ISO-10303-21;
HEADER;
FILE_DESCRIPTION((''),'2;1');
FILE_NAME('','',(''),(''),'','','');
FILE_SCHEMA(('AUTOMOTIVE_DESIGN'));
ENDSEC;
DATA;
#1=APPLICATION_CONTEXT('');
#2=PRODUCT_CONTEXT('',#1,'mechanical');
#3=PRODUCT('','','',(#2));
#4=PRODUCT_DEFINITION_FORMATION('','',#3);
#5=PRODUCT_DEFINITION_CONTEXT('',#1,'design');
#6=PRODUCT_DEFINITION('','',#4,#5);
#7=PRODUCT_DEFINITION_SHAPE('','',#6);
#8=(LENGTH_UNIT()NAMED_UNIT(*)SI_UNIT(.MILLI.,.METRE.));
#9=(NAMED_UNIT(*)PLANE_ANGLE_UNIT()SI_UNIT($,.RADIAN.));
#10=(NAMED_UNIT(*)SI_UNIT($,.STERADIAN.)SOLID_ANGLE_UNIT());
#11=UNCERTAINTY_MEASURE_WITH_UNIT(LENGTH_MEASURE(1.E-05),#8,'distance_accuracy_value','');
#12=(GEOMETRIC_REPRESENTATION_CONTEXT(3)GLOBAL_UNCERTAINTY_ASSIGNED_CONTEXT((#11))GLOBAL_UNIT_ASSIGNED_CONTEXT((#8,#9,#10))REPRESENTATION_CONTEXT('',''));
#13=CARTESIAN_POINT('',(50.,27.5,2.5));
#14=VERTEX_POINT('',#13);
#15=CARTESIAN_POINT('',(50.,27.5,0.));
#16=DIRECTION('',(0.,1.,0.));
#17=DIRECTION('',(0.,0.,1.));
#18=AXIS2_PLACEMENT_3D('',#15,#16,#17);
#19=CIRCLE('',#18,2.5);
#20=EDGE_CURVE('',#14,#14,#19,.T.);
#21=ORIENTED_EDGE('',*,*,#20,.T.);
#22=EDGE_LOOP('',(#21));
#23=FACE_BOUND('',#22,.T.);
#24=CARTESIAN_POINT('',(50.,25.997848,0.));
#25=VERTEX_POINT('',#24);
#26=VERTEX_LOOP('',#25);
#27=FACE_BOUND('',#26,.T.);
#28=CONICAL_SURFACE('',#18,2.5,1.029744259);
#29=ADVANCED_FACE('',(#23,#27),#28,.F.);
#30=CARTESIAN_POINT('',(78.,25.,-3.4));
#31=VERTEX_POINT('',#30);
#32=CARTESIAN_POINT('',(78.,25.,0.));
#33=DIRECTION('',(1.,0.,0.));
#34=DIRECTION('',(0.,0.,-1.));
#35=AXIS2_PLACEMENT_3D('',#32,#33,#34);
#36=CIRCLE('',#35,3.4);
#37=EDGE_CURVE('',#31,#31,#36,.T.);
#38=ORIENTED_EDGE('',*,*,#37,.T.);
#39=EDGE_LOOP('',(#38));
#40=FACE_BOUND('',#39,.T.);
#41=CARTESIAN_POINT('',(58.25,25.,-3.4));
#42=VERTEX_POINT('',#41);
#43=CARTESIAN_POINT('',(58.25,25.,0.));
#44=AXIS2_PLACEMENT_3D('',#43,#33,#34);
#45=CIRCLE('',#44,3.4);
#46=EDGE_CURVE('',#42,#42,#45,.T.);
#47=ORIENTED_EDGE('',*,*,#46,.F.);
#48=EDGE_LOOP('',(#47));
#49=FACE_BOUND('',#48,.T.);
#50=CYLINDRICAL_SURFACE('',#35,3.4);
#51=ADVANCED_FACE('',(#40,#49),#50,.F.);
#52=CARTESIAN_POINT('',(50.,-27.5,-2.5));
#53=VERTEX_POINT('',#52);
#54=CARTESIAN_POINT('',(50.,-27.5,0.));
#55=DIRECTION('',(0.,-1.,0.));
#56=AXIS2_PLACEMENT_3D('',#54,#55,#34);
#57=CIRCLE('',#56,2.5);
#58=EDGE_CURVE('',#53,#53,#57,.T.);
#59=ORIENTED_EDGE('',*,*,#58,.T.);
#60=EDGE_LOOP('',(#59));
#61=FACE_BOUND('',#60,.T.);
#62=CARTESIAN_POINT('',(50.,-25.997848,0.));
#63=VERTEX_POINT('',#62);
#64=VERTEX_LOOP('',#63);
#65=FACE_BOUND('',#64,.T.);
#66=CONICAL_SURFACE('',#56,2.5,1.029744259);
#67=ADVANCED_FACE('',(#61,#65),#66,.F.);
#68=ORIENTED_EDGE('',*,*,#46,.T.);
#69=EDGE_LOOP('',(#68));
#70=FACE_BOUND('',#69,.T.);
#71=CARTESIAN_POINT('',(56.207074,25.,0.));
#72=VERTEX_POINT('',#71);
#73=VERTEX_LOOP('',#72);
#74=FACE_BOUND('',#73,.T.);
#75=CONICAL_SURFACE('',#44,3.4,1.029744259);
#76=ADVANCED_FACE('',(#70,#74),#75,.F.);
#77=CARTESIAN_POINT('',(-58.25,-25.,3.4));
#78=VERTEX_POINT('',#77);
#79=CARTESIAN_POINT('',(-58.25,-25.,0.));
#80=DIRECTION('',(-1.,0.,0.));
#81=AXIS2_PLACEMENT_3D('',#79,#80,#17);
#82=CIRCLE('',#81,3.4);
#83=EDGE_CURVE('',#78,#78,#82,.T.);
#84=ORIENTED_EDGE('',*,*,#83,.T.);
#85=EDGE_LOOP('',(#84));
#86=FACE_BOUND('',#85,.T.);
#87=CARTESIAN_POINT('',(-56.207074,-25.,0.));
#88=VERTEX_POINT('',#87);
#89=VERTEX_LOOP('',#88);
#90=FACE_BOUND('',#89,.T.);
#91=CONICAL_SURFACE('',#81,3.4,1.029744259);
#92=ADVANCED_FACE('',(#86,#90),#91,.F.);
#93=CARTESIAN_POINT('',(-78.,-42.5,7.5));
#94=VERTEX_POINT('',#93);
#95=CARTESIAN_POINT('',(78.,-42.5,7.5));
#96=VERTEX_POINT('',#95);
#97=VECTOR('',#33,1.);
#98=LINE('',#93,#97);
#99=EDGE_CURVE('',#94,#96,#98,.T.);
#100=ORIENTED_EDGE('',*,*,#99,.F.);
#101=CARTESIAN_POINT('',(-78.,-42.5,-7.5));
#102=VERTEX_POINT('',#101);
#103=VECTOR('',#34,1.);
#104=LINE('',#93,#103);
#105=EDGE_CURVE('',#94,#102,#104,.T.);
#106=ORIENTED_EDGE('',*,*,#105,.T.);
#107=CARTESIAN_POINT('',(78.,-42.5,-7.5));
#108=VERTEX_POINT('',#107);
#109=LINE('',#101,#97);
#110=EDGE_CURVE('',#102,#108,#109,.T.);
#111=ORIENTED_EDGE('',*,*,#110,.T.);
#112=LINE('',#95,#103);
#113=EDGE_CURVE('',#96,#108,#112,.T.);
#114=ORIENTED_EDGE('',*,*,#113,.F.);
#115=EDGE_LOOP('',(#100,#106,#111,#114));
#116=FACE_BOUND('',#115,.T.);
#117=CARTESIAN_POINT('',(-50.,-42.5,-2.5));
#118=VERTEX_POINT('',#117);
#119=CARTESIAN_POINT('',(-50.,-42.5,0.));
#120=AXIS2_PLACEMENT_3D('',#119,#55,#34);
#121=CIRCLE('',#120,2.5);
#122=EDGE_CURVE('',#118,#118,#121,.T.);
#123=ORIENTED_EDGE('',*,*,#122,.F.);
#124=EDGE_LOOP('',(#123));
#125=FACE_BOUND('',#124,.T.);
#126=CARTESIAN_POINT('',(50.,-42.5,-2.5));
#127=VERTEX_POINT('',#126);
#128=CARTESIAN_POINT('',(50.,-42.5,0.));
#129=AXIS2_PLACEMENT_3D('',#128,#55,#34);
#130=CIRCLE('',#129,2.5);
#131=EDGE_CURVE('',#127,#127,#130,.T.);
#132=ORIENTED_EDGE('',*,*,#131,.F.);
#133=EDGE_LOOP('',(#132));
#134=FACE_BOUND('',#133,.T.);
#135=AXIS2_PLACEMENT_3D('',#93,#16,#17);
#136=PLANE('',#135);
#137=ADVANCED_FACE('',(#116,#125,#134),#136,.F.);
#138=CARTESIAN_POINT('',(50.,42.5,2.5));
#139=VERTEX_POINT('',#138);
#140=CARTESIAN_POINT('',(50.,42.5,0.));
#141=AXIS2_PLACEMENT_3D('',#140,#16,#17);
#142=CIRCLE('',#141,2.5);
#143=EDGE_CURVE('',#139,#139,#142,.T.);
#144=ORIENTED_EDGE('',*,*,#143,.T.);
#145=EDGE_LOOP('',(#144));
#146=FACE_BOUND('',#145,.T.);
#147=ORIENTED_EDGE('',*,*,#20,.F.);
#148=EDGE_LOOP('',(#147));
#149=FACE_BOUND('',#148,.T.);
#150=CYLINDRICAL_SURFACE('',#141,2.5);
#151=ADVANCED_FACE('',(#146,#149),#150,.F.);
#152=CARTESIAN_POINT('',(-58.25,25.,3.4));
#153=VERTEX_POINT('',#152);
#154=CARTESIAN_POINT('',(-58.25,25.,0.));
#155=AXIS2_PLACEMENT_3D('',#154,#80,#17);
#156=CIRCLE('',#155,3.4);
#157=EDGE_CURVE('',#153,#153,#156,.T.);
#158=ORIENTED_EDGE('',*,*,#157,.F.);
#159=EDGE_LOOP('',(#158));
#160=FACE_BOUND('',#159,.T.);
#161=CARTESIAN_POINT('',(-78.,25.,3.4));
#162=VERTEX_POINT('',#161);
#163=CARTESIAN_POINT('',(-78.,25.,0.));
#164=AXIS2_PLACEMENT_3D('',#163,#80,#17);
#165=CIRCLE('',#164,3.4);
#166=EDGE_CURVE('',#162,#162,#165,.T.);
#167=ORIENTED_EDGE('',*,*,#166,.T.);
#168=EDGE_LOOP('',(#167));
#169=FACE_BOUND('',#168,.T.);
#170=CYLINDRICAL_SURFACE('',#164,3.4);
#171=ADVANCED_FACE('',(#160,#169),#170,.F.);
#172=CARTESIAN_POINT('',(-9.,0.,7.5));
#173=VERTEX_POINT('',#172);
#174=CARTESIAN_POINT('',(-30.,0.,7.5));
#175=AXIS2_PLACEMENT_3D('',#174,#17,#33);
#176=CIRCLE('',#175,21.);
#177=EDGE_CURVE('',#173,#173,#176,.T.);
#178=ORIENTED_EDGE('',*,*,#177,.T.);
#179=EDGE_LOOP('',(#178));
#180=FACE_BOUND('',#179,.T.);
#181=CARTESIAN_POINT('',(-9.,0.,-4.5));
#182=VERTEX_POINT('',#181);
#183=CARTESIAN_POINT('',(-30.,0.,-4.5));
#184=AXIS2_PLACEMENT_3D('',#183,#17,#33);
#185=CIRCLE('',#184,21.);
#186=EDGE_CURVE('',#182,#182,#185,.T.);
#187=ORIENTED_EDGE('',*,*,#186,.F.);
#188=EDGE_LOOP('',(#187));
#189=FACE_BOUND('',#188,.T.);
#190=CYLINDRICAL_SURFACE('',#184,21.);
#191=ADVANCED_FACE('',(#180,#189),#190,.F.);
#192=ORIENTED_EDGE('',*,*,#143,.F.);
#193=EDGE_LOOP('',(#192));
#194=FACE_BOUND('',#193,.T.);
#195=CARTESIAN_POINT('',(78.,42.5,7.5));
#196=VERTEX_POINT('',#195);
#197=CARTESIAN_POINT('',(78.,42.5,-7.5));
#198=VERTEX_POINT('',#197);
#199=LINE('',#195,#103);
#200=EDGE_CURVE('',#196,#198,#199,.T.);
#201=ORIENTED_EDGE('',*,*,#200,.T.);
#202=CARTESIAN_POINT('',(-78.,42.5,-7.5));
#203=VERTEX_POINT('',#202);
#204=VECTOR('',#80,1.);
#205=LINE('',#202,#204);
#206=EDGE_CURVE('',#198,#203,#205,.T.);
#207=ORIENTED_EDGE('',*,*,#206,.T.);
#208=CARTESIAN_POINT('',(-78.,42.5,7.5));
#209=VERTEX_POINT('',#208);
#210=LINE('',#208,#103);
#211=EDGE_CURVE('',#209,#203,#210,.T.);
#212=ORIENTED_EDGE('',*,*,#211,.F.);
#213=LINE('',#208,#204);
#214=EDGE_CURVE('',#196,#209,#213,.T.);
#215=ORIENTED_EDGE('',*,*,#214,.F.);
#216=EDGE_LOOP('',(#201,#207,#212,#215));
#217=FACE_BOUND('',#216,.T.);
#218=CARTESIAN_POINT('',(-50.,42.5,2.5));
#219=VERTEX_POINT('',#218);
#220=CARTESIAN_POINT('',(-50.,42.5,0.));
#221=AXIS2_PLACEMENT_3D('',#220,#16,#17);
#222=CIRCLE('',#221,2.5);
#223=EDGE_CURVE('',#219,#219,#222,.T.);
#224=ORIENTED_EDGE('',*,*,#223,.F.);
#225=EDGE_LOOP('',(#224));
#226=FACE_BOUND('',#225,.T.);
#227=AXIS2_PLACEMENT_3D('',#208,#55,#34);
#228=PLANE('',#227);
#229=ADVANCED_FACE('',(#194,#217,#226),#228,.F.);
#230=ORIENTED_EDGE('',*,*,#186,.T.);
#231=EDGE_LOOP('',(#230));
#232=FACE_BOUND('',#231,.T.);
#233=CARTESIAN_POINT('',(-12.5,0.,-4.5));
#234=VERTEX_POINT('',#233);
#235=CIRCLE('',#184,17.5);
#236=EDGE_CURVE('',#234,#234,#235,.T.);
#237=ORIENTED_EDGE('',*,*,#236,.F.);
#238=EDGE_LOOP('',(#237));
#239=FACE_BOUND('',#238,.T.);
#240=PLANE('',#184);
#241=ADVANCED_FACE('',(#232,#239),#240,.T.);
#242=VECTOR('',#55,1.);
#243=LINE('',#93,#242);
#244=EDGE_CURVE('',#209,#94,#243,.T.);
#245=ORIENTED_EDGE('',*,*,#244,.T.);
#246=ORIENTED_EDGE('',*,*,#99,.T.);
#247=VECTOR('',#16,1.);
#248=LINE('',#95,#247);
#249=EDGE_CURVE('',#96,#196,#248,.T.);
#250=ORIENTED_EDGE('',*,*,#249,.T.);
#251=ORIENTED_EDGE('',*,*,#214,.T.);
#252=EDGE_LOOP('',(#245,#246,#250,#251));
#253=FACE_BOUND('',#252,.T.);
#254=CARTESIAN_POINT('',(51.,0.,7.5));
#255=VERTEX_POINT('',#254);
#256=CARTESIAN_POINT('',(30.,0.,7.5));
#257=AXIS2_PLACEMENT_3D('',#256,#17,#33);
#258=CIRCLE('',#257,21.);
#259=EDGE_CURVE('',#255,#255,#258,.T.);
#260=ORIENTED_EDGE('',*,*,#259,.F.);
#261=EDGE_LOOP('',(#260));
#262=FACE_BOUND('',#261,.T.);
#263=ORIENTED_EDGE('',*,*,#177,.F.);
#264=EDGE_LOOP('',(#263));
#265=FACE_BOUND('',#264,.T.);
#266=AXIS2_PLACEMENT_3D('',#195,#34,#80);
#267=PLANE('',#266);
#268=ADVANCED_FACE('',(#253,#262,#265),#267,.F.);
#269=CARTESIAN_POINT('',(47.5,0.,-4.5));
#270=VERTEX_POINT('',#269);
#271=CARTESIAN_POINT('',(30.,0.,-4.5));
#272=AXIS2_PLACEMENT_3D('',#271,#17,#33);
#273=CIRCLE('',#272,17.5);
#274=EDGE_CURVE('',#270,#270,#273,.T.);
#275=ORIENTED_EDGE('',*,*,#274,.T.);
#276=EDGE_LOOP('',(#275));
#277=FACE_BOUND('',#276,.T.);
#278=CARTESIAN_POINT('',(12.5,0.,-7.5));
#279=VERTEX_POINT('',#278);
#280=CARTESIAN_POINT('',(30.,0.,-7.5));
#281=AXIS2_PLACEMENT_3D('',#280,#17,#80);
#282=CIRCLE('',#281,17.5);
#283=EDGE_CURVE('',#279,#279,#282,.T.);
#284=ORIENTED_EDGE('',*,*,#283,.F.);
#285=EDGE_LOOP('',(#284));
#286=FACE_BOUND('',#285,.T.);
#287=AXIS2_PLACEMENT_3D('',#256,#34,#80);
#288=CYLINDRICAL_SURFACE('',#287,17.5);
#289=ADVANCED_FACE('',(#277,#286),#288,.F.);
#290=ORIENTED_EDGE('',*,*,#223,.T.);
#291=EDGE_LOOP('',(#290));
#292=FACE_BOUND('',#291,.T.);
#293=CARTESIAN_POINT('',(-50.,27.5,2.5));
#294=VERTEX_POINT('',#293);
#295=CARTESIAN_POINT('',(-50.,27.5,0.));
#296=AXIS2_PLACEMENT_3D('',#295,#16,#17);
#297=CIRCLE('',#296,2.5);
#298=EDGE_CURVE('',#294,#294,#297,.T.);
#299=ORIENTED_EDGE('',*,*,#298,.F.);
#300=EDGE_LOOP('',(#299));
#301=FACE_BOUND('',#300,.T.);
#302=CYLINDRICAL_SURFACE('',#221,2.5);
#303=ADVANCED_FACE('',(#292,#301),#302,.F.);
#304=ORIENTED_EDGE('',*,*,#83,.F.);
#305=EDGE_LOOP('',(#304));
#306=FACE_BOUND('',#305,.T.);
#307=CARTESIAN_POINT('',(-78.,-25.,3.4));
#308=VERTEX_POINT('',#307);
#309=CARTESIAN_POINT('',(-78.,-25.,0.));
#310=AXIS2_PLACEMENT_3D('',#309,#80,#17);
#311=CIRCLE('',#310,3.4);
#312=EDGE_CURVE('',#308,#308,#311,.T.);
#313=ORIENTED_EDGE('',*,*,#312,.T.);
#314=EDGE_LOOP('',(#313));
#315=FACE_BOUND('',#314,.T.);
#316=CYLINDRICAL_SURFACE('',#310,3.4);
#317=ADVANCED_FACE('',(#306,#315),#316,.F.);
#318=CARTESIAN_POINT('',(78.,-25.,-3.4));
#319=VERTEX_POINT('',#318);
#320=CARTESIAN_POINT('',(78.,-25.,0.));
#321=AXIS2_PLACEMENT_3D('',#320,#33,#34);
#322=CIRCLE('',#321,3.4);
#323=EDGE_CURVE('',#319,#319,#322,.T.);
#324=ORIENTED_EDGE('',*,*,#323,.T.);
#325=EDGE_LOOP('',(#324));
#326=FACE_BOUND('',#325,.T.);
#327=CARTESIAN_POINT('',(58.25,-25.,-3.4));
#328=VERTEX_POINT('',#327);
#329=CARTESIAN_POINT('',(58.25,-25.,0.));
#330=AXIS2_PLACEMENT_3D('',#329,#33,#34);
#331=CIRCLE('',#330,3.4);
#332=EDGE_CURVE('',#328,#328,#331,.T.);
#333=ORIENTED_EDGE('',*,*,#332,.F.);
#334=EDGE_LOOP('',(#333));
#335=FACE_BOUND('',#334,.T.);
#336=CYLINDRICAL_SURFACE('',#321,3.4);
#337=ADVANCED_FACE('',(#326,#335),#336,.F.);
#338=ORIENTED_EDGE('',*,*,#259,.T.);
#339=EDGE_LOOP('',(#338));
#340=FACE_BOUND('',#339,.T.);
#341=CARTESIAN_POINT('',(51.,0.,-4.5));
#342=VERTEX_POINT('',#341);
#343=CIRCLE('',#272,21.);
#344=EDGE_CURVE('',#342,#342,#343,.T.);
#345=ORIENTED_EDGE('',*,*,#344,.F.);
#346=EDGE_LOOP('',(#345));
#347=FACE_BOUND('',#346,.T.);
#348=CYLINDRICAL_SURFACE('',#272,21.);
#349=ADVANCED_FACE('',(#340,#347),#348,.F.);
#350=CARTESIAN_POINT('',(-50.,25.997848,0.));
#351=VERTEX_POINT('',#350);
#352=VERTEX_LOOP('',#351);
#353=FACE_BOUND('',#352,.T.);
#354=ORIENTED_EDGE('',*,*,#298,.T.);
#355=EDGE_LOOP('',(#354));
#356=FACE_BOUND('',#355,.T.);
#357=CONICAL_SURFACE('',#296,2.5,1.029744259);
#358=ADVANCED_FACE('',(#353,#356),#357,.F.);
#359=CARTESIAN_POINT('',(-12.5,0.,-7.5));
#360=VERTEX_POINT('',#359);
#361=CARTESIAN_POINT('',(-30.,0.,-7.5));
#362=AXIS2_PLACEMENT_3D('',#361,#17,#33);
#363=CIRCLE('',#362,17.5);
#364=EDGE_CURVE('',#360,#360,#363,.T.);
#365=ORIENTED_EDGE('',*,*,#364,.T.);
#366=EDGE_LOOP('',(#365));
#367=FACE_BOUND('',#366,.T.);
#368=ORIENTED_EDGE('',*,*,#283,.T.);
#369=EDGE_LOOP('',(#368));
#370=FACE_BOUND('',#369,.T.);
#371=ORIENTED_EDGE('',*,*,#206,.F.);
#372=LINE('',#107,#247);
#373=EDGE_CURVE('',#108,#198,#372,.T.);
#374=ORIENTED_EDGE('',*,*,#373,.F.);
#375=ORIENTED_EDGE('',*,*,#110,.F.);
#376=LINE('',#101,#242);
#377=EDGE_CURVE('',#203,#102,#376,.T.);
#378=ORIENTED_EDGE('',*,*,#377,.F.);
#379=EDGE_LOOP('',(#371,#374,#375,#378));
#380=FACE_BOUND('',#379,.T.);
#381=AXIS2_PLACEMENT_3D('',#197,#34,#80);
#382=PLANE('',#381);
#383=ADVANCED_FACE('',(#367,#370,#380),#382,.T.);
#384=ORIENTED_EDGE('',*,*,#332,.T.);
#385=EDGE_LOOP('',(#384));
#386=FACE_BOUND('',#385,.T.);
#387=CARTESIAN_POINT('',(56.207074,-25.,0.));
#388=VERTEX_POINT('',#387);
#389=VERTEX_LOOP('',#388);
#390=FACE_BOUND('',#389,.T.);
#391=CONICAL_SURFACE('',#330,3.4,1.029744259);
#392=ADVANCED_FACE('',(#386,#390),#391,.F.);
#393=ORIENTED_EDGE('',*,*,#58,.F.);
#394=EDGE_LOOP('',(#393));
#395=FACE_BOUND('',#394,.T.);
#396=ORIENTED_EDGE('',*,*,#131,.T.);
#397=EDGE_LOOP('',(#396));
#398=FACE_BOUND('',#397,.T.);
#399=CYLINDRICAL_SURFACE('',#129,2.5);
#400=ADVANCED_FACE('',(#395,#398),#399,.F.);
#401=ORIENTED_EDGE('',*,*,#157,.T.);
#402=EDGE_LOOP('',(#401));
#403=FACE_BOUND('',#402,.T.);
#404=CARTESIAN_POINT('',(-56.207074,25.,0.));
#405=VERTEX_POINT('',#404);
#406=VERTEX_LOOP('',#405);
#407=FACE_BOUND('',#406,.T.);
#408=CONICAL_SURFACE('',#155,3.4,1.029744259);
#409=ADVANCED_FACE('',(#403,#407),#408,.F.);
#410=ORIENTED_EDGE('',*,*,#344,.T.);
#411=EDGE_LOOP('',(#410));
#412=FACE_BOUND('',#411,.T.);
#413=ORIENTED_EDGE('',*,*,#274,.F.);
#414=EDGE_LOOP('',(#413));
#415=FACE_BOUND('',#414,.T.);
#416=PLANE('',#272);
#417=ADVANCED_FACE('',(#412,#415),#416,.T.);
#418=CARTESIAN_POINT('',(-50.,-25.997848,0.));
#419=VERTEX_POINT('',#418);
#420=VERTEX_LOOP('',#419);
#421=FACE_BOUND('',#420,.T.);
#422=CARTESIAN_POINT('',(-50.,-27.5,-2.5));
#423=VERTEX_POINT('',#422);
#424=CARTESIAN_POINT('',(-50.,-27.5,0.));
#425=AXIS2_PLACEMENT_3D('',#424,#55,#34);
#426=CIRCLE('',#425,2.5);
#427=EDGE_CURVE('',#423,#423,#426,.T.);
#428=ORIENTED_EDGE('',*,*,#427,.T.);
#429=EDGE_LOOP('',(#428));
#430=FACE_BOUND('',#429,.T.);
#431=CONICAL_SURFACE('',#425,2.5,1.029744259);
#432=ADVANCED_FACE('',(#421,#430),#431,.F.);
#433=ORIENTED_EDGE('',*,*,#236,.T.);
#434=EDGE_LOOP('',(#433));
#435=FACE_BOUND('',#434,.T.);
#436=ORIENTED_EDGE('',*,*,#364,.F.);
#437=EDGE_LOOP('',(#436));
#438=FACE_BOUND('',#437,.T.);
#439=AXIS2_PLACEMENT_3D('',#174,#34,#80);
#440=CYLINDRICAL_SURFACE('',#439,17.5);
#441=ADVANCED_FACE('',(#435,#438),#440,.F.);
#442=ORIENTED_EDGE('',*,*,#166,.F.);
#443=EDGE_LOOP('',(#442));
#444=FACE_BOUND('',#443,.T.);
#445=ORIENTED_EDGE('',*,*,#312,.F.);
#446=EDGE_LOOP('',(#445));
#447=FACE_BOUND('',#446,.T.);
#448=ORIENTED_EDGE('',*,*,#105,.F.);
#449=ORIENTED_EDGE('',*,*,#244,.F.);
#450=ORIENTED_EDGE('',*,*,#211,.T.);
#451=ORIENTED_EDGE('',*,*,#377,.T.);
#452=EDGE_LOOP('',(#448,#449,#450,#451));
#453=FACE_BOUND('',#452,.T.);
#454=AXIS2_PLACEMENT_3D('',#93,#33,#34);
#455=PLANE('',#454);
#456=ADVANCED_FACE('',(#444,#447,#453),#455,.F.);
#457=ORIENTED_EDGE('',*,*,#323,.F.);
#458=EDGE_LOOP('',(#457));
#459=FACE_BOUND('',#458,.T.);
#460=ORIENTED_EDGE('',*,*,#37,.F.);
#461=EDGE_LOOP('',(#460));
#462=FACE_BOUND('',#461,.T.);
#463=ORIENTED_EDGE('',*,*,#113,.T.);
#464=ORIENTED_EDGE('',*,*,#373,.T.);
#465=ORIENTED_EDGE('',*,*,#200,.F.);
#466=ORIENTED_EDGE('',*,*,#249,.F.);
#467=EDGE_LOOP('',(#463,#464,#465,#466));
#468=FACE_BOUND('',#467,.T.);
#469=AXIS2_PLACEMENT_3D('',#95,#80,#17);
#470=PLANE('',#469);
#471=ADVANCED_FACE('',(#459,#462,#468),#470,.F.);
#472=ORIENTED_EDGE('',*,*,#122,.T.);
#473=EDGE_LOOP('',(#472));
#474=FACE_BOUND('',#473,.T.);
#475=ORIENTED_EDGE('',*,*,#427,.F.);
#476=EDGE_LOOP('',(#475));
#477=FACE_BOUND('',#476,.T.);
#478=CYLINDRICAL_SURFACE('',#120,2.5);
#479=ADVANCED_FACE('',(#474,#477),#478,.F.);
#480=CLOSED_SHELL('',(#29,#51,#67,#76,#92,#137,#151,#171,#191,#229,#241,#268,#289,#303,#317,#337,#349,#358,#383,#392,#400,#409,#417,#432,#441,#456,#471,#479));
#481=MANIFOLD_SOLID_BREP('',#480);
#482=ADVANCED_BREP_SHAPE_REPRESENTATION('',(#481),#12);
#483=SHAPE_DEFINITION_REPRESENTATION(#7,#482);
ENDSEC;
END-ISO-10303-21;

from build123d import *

# Parameters (mm, degrees)
SKETCH1_W                       = 156
SKETCH1_H                       = 85
SKETCH1_R                       = 17.5
BOSS_EXTRUDE1_DEPTH             = 7.5
SKETCH2_R                       = 21
CUT_EXTRUDE1_DEPTH              = 12
M8_TAPPED_HOLE1_D               = 6.8
M8_TAPPED_HOLE1_DEPTH           = 19.75
M8_TAPPED_HOLE1_TIP             = 2.042926105
M8_TAPPED_HOLE1_ON_FACE_2_D     = 6.8
M8_TAPPED_HOLE1_ON_FACE_2_DEPTH = 19.75
M8_TAPPED_HOLE1_ON_FACE_2_TIP   = 2.042926105
M6_TAPPED_HOLE1_D               = 5
M6_TAPPED_HOLE1_DEPTH           = 15
M6_TAPPED_HOLE1_TIP             = 1.502151548
M6_TAPPED_HOLE1_ON_FACE_2_D     = 5
M6_TAPPED_HOLE1_ON_FACE_2_DEPTH = 15
M6_TAPPED_HOLE1_ON_FACE_2_TIP   = 1.502151548


with BuildPart() as part:
    # Sketch1 → Boss-Extrude1 (new, symmetric)
    with BuildSketch(Plane.XY):
        Rectangle(SKETCH1_W, SKETCH1_H)
        with Locations((-30, 0)):
            Circle(SKETCH1_R, mode=Mode.SUBTRACT)
        with Locations(Location((30, 0, 0), (0, 0, 180))):
            Circle(SKETCH1_R, mode=Mode.SUBTRACT)
    extrude(amount=BOSS_EXTRUDE1_DEPTH, both=True)

    # Sketch2 → Cut-Extrude1 (cut)
    with BuildSketch(Plane.XY.offset(7.5)):
        with Locations((-30, 0)):
            Circle(SKETCH2_R)
        with Locations((30, 0)):
            Circle(SKETCH2_R)
    extrude(amount=-CUT_EXTRUDE1_DEPTH, mode=Mode.SUBTRACT)

    # M8 Tapped Hole1
    with Locations(Plane(origin=(-78, 25, 0), x_dir=(0, 0, -1), z_dir=(-1, 0, 0))):
        with Locations((0, 0), (0, 50)):
            Hole(M8_TAPPED_HOLE1_D / 2, depth=M8_TAPPED_HOLE1_DEPTH)
            with Locations((0, 0, -(M8_TAPPED_HOLE1_DEPTH + M8_TAPPED_HOLE1_TIP / 2))):  # 118° drill point
                Cone(0, M8_TAPPED_HOLE1_D / 2, M8_TAPPED_HOLE1_TIP, mode=Mode.SUBTRACT)

    # M8 Tapped Hole1 on face 2
    with Locations(Plane(origin=(78, 25, 0), x_dir=(0, 0, 1), z_dir=(1, 0, 0))):
        with Locations((0, 0), (0, 50)):
            Hole(M8_TAPPED_HOLE1_ON_FACE_2_D / 2, depth=M8_TAPPED_HOLE1_ON_FACE_2_DEPTH)
            with Locations((0, 0, -(M8_TAPPED_HOLE1_ON_FACE_2_DEPTH + M8_TAPPED_HOLE1_ON_FACE_2_TIP / 2))):  # 118° drill point
                Cone(0, M8_TAPPED_HOLE1_ON_FACE_2_D / 2, M8_TAPPED_HOLE1_ON_FACE_2_TIP, mode=Mode.SUBTRACT)

    # M6 Tapped Hole1
    with Locations(Plane(origin=(-50, -42.5, 0), x_dir=(0, 0, -1), z_dir=(0, -1, 0))):
        with Locations((0, 0), (0, 100)):
            Hole(M6_TAPPED_HOLE1_D / 2, depth=M6_TAPPED_HOLE1_DEPTH)
            with Locations((0, 0, -(M6_TAPPED_HOLE1_DEPTH + M6_TAPPED_HOLE1_TIP / 2))):  # 118° drill point
                Cone(0, M6_TAPPED_HOLE1_D / 2, M6_TAPPED_HOLE1_TIP, mode=Mode.SUBTRACT)

    # M6 Tapped Hole1 on face 2
    with Locations(Plane(origin=(-50, 42.5, 0), x_dir=(0, 0, 1), z_dir=(0, 1, 0))):
        with Locations((0, 0), (0, 100)):
            Hole(M6_TAPPED_HOLE1_ON_FACE_2_D / 2, depth=M6_TAPPED_HOLE1_ON_FACE_2_DEPTH)
            with Locations((0, 0, -(M6_TAPPED_HOLE1_ON_FACE_2_DEPTH + M6_TAPPED_HOLE1_ON_FACE_2_TIP / 2))):  # 118° drill point
                Cone(0, M6_TAPPED_HOLE1_ON_FACE_2_D / 2, M6_TAPPED_HOLE1_ON_FACE_2_TIP, mode=Mode.SUBTRACT)


solid = part.part
